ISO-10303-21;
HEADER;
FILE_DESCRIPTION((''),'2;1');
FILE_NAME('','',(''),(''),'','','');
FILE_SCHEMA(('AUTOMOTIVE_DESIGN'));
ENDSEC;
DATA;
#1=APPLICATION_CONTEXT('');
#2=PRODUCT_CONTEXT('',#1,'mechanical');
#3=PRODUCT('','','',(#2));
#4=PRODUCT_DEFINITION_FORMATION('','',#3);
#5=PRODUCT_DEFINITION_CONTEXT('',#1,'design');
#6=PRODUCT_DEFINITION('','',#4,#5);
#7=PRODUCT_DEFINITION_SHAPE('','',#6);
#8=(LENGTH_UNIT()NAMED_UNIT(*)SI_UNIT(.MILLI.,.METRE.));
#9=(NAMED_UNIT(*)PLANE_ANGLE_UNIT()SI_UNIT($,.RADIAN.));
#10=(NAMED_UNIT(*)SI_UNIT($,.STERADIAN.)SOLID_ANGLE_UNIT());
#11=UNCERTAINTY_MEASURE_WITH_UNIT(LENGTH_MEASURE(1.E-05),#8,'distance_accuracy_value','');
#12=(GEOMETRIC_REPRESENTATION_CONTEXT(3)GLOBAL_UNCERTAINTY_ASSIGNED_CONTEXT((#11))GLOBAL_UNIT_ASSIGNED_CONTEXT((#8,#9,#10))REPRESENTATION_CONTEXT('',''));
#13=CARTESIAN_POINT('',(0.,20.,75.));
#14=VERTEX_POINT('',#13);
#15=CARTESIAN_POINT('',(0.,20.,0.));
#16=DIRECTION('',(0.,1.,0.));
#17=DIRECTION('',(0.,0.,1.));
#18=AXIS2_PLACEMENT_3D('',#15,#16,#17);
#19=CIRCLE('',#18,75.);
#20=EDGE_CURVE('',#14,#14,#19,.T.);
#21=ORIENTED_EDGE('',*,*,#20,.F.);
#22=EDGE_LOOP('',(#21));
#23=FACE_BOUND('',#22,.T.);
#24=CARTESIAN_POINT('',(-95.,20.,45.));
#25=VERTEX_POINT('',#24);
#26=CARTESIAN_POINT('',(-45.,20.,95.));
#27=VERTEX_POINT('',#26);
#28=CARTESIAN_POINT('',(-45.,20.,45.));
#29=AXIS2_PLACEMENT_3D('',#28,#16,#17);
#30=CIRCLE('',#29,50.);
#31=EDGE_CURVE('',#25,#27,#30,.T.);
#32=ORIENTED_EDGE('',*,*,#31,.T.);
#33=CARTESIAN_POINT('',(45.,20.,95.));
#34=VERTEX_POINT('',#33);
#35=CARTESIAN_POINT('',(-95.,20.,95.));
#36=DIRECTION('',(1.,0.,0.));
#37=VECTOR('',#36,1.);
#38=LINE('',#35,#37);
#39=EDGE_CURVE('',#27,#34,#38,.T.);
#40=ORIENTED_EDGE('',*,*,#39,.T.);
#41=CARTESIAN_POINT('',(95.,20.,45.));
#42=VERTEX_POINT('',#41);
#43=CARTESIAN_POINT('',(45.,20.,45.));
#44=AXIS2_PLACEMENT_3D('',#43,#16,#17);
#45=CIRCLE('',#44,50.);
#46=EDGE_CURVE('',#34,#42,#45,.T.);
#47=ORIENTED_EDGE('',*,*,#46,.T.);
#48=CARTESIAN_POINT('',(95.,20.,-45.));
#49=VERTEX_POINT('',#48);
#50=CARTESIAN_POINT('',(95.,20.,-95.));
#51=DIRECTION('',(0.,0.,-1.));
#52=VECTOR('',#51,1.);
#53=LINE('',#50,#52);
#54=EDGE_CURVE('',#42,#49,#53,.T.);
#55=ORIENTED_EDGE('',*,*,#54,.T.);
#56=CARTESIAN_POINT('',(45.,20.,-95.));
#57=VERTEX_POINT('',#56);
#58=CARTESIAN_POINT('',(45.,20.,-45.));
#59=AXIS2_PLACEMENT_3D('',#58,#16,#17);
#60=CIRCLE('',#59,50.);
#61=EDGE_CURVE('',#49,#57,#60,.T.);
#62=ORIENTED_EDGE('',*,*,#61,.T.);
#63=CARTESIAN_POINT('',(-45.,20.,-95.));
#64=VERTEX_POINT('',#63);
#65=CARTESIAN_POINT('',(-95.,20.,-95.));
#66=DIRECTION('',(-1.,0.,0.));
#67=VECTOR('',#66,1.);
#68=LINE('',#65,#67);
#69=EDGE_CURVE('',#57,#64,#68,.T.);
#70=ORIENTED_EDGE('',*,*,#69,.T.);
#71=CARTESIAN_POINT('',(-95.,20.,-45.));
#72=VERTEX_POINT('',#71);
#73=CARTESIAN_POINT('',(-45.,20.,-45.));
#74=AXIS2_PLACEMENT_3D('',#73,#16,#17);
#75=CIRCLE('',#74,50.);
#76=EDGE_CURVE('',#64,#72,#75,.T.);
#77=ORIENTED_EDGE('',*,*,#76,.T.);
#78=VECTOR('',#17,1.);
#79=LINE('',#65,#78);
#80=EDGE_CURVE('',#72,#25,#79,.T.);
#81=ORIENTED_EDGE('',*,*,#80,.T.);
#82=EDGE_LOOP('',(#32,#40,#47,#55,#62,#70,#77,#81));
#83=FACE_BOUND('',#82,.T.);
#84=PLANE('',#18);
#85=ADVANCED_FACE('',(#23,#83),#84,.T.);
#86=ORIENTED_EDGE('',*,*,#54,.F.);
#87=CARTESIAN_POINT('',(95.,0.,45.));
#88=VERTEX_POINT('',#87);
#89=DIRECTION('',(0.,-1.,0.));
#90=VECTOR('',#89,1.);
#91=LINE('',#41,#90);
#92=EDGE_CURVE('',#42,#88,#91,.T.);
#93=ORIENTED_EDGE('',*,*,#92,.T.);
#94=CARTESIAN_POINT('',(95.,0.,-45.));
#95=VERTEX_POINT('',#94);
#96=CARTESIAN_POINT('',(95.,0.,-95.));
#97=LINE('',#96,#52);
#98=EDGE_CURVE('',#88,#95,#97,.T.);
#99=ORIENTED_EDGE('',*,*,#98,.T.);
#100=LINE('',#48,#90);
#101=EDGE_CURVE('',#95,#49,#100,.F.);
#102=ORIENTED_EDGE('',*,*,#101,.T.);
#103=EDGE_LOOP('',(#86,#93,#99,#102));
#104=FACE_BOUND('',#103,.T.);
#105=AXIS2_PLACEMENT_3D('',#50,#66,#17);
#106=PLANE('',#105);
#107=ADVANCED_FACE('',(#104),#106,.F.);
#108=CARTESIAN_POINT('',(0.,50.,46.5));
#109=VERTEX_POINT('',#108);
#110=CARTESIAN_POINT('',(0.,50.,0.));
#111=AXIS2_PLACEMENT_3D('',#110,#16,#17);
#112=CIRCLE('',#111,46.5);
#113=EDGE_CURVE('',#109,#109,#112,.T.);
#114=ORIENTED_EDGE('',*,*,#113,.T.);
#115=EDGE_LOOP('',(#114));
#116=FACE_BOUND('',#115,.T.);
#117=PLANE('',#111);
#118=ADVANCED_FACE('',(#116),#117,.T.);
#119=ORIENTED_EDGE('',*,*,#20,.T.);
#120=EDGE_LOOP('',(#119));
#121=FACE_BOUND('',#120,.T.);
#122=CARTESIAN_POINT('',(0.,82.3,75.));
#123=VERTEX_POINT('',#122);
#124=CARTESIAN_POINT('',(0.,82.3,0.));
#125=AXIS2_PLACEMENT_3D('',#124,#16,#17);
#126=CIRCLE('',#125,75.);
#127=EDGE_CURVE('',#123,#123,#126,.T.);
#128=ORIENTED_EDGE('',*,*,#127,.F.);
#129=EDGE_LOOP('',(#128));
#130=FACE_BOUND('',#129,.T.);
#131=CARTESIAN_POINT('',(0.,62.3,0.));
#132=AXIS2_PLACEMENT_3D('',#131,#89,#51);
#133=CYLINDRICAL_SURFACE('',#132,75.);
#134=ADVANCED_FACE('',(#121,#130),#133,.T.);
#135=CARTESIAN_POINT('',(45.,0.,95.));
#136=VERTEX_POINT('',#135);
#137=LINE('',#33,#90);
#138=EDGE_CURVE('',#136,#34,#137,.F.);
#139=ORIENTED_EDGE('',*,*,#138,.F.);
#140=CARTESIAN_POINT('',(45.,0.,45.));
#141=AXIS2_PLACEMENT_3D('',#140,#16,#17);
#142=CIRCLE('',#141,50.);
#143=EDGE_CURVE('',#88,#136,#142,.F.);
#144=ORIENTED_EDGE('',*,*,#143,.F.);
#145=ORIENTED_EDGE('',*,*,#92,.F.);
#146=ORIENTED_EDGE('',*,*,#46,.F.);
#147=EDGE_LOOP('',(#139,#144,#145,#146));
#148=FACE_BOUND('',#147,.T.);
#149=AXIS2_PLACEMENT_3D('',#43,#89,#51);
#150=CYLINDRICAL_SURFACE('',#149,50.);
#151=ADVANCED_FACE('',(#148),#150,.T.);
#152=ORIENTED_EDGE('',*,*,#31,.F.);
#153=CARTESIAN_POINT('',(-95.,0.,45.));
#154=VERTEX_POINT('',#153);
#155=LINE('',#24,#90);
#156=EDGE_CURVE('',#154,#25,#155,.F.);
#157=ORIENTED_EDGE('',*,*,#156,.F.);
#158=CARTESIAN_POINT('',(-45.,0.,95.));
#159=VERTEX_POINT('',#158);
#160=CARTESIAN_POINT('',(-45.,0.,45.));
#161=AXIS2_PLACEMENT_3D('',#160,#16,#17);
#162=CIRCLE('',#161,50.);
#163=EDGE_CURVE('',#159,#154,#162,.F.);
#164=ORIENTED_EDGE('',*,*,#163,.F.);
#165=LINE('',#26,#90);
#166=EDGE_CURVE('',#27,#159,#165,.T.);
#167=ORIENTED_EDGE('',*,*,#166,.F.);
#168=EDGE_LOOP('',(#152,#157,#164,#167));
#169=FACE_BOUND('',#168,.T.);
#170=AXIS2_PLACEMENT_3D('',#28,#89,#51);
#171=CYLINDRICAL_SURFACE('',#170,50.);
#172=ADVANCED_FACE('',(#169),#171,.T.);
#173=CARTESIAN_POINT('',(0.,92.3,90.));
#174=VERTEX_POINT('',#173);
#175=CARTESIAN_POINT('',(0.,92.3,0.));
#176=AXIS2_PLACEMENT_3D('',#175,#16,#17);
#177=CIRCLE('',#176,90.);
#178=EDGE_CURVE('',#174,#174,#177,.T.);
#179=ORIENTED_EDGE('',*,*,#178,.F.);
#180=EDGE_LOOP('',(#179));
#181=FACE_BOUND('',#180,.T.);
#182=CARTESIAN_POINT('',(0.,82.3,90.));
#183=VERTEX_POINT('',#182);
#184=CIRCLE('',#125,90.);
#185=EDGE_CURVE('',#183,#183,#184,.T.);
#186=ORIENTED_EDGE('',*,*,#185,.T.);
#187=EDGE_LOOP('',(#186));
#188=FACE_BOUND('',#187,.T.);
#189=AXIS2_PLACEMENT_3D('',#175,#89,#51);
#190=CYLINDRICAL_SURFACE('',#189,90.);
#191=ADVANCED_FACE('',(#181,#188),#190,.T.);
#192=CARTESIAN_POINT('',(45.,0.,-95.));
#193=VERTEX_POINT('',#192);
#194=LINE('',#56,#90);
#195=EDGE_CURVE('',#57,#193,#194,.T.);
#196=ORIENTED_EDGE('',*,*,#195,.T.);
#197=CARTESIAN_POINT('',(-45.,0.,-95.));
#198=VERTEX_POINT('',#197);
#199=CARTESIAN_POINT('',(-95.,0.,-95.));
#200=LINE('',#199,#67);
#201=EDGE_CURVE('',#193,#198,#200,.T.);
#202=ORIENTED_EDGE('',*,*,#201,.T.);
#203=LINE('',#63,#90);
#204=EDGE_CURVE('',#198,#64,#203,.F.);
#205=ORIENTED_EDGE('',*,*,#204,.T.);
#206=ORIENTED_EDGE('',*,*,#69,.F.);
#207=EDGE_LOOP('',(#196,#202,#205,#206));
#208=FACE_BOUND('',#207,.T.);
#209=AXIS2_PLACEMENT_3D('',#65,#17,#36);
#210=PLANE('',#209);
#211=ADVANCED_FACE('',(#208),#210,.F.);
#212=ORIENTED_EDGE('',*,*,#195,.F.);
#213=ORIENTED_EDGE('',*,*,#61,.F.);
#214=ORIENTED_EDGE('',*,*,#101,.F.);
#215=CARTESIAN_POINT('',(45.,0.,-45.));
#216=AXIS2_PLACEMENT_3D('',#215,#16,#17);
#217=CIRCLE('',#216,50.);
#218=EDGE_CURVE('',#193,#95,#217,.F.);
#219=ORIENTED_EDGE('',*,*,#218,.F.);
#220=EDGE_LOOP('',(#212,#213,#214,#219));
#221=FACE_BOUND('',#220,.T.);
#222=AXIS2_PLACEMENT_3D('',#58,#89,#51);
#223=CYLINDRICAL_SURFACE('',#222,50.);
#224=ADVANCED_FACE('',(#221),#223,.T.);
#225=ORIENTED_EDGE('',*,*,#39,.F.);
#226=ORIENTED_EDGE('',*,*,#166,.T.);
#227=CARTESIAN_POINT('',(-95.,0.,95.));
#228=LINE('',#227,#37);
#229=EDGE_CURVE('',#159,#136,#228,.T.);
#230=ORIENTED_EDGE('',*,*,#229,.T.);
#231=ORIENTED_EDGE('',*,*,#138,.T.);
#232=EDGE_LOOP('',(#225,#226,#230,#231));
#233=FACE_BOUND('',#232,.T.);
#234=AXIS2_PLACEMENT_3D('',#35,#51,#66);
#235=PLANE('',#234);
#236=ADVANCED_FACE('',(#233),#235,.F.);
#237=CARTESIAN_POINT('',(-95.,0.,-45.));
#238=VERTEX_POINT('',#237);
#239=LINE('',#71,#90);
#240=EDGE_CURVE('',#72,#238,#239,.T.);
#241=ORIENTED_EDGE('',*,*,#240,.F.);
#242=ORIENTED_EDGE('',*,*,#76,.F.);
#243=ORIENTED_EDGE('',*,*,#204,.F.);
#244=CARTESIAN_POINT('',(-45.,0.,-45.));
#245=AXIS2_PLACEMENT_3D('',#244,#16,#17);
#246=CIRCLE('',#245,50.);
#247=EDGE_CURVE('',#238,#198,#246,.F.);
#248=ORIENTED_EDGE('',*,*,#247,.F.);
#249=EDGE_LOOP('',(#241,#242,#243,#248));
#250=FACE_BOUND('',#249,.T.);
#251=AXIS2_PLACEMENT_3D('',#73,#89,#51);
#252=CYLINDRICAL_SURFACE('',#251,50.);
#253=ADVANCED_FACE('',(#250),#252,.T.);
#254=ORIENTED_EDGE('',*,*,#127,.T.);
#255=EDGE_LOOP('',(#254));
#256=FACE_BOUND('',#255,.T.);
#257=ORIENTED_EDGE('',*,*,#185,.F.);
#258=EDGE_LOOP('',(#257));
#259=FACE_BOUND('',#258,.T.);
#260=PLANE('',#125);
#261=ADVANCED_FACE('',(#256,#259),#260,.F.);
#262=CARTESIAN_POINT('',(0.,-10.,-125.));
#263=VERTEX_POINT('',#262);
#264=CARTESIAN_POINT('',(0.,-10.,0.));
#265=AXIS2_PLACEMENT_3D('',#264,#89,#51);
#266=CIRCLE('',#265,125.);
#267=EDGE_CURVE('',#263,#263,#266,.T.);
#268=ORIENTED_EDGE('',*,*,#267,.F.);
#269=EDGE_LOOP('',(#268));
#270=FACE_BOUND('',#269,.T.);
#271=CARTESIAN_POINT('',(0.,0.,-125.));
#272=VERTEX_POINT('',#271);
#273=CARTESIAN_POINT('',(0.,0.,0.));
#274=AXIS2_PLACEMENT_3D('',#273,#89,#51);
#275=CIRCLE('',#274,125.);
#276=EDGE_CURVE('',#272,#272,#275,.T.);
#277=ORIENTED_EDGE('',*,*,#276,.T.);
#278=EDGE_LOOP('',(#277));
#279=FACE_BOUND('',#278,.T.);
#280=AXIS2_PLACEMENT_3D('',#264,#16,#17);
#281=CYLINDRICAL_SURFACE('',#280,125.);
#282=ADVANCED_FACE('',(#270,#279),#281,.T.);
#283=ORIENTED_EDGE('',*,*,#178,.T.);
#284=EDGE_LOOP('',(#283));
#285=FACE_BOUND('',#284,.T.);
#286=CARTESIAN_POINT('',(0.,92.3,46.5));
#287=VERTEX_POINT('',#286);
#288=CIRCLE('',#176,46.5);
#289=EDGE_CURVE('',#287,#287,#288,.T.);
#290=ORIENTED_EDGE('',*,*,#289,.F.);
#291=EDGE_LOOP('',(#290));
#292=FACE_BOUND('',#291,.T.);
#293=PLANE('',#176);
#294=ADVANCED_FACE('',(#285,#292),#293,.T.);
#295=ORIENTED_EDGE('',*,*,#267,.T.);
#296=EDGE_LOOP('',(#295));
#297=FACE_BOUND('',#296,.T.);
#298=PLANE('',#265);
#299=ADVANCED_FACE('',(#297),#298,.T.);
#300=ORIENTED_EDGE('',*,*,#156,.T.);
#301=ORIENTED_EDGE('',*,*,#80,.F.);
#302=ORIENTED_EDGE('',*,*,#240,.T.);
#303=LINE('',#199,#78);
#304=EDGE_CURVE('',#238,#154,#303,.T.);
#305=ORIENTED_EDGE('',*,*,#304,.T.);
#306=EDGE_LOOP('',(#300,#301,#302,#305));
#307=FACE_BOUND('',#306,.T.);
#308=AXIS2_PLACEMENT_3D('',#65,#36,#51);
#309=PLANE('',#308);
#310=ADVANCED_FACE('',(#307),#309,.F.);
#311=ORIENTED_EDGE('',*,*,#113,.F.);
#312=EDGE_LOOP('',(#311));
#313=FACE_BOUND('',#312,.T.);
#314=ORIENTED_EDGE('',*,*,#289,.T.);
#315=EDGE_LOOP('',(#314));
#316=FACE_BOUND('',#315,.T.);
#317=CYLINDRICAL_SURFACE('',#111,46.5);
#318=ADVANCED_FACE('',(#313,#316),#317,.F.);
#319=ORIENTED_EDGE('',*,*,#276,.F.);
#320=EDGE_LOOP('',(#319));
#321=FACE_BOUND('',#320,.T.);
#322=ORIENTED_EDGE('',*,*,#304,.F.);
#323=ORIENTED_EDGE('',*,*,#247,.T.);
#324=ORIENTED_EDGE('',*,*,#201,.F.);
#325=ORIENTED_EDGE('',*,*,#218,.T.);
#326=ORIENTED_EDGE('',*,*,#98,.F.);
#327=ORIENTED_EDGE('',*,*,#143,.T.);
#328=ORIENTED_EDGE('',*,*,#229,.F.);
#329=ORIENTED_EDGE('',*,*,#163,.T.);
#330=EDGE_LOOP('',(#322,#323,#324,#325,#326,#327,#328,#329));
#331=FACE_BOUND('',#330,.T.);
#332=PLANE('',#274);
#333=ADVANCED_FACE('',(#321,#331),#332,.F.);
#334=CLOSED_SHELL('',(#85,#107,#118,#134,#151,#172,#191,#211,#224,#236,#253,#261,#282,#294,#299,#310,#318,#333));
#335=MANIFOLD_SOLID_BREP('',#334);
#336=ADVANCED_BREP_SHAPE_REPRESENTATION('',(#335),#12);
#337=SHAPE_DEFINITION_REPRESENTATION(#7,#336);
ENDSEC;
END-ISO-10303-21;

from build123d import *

# Parameters (mm, degrees)
SKETCH_3_W          = 190
SKETCH_3_H          = 190
EXTRUDE_3_DEPTH     = 20
FILLET_2_R          = 50
SKETCH_4_R          = 75
EXTRUDE_4_DEPTH     = 42.3
SKETCH_5_R          = 75
EXTRUDE_5_DEPTH     = 20
SKETCH_14_R         = 90
EXTRUDE_7_DEPTH     = 10
SKETCH_15_R         = 46.5
CUT_EXTRUDE_9_DEPTH = 42.3
SKETCH_12_R         = 54
EXTRUDE_6_DEPTH     = 10
SKETCH_13_R         = 46.5
CUT_EXTRUDE_7_DEPTH = 41.3
SKETCH_18_R         = 125
EXTRUDE_8_DEPTH     = 10


with BuildPart() as part:
    # 草图3 → 凸台-拉伸3 (new body)
    with BuildSketch(Plane(origin=(0, 0, 0), x_dir=(1, 0, 0), z_dir=(0, 1, 0))):
        Rectangle(SKETCH_3_W, SKETCH_3_H)
    extrude(amount=EXTRUDE_3_DEPTH)

    # 圆角2
    fillet_2_edges = [part.edges().sort_by_distance(p)[0] for p in [
        (95, 10, 95),
        (-95, 10, 95),
        (-95, 10, -95),
        (95, 10, -95),
    ]]
    fillet(fillet_2_edges, radius=FILLET_2_R)

    # 草图4 → 凸台-拉伸4 (add)
    with BuildSketch(Plane(origin=(0, 20, 0), x_dir=(1, 0, 0), z_dir=(0, 1, 0))):
        with Locations(Location((0, 0, 0), (0, 0, 270))):
            Circle(SKETCH_4_R)
    extrude(amount=EXTRUDE_4_DEPTH)

    # 草图5 → 凸台-拉伸5 (add)
    with BuildSketch(Plane(origin=(0, 62.3, 0), x_dir=(1, 0, 0), z_dir=(0, 1, 0))):
        with Locations(Location((0, 0, 0), (0, 0, 270))):
            Circle(SKETCH_5_R)
    extrude(amount=EXTRUDE_5_DEPTH)

    # 草图14 → 凸台-拉伸7 (add)
    with BuildSketch(Plane(origin=(0, 82.3, 0), x_dir=(1, 0, 0), z_dir=(0, 1, 0))):
        with Locations(Location((0, 0, 0), (0, 0, 270))):
            Circle(SKETCH_14_R)
    extrude(amount=EXTRUDE_7_DEPTH)

    # 草图15 → 切除-拉伸9 (cut)
    with BuildSketch(Plane(origin=(0, 92.3, 0), x_dir=(1, 0, 0), z_dir=(0, 1, 0))):
        with Locations(Location((0, 0, 0), (0, 0, 270))):
            Circle(SKETCH_15_R)
    extrude(amount=-CUT_EXTRUDE_9_DEPTH, mode=Mode.SUBTRACT)

    # 草图12 → 凸台-拉伸6 (add)
    with BuildSketch(Plane(origin=(0, 82.3, 0), x_dir=(1, 0, 0), z_dir=(0, 1, 0))):
        Circle(SKETCH_12_R)
    extrude(amount=EXTRUDE_6_DEPTH)

    # 草图13 → 切除-拉伸7 (cut)
    with BuildSketch(Plane(origin=(0, 92.3, 0), x_dir=(1, 0, 0), z_dir=(0, 1, 0))):
        with Locations(Location((0, 0, 0), (0, 0, 270))):
            Circle(SKETCH_13_R)
    extrude(amount=-CUT_EXTRUDE_7_DEPTH, mode=Mode.SUBTRACT)

    # 草图18 → 凸台-拉伸8 (add)
    with BuildSketch(Plane.XZ):
        with Locations(Location((0, 0, 0), (0, 0, 270))):
            Circle(SKETCH_18_R)
    extrude(amount=EXTRUDE_8_DEPTH)


solid = part.part
